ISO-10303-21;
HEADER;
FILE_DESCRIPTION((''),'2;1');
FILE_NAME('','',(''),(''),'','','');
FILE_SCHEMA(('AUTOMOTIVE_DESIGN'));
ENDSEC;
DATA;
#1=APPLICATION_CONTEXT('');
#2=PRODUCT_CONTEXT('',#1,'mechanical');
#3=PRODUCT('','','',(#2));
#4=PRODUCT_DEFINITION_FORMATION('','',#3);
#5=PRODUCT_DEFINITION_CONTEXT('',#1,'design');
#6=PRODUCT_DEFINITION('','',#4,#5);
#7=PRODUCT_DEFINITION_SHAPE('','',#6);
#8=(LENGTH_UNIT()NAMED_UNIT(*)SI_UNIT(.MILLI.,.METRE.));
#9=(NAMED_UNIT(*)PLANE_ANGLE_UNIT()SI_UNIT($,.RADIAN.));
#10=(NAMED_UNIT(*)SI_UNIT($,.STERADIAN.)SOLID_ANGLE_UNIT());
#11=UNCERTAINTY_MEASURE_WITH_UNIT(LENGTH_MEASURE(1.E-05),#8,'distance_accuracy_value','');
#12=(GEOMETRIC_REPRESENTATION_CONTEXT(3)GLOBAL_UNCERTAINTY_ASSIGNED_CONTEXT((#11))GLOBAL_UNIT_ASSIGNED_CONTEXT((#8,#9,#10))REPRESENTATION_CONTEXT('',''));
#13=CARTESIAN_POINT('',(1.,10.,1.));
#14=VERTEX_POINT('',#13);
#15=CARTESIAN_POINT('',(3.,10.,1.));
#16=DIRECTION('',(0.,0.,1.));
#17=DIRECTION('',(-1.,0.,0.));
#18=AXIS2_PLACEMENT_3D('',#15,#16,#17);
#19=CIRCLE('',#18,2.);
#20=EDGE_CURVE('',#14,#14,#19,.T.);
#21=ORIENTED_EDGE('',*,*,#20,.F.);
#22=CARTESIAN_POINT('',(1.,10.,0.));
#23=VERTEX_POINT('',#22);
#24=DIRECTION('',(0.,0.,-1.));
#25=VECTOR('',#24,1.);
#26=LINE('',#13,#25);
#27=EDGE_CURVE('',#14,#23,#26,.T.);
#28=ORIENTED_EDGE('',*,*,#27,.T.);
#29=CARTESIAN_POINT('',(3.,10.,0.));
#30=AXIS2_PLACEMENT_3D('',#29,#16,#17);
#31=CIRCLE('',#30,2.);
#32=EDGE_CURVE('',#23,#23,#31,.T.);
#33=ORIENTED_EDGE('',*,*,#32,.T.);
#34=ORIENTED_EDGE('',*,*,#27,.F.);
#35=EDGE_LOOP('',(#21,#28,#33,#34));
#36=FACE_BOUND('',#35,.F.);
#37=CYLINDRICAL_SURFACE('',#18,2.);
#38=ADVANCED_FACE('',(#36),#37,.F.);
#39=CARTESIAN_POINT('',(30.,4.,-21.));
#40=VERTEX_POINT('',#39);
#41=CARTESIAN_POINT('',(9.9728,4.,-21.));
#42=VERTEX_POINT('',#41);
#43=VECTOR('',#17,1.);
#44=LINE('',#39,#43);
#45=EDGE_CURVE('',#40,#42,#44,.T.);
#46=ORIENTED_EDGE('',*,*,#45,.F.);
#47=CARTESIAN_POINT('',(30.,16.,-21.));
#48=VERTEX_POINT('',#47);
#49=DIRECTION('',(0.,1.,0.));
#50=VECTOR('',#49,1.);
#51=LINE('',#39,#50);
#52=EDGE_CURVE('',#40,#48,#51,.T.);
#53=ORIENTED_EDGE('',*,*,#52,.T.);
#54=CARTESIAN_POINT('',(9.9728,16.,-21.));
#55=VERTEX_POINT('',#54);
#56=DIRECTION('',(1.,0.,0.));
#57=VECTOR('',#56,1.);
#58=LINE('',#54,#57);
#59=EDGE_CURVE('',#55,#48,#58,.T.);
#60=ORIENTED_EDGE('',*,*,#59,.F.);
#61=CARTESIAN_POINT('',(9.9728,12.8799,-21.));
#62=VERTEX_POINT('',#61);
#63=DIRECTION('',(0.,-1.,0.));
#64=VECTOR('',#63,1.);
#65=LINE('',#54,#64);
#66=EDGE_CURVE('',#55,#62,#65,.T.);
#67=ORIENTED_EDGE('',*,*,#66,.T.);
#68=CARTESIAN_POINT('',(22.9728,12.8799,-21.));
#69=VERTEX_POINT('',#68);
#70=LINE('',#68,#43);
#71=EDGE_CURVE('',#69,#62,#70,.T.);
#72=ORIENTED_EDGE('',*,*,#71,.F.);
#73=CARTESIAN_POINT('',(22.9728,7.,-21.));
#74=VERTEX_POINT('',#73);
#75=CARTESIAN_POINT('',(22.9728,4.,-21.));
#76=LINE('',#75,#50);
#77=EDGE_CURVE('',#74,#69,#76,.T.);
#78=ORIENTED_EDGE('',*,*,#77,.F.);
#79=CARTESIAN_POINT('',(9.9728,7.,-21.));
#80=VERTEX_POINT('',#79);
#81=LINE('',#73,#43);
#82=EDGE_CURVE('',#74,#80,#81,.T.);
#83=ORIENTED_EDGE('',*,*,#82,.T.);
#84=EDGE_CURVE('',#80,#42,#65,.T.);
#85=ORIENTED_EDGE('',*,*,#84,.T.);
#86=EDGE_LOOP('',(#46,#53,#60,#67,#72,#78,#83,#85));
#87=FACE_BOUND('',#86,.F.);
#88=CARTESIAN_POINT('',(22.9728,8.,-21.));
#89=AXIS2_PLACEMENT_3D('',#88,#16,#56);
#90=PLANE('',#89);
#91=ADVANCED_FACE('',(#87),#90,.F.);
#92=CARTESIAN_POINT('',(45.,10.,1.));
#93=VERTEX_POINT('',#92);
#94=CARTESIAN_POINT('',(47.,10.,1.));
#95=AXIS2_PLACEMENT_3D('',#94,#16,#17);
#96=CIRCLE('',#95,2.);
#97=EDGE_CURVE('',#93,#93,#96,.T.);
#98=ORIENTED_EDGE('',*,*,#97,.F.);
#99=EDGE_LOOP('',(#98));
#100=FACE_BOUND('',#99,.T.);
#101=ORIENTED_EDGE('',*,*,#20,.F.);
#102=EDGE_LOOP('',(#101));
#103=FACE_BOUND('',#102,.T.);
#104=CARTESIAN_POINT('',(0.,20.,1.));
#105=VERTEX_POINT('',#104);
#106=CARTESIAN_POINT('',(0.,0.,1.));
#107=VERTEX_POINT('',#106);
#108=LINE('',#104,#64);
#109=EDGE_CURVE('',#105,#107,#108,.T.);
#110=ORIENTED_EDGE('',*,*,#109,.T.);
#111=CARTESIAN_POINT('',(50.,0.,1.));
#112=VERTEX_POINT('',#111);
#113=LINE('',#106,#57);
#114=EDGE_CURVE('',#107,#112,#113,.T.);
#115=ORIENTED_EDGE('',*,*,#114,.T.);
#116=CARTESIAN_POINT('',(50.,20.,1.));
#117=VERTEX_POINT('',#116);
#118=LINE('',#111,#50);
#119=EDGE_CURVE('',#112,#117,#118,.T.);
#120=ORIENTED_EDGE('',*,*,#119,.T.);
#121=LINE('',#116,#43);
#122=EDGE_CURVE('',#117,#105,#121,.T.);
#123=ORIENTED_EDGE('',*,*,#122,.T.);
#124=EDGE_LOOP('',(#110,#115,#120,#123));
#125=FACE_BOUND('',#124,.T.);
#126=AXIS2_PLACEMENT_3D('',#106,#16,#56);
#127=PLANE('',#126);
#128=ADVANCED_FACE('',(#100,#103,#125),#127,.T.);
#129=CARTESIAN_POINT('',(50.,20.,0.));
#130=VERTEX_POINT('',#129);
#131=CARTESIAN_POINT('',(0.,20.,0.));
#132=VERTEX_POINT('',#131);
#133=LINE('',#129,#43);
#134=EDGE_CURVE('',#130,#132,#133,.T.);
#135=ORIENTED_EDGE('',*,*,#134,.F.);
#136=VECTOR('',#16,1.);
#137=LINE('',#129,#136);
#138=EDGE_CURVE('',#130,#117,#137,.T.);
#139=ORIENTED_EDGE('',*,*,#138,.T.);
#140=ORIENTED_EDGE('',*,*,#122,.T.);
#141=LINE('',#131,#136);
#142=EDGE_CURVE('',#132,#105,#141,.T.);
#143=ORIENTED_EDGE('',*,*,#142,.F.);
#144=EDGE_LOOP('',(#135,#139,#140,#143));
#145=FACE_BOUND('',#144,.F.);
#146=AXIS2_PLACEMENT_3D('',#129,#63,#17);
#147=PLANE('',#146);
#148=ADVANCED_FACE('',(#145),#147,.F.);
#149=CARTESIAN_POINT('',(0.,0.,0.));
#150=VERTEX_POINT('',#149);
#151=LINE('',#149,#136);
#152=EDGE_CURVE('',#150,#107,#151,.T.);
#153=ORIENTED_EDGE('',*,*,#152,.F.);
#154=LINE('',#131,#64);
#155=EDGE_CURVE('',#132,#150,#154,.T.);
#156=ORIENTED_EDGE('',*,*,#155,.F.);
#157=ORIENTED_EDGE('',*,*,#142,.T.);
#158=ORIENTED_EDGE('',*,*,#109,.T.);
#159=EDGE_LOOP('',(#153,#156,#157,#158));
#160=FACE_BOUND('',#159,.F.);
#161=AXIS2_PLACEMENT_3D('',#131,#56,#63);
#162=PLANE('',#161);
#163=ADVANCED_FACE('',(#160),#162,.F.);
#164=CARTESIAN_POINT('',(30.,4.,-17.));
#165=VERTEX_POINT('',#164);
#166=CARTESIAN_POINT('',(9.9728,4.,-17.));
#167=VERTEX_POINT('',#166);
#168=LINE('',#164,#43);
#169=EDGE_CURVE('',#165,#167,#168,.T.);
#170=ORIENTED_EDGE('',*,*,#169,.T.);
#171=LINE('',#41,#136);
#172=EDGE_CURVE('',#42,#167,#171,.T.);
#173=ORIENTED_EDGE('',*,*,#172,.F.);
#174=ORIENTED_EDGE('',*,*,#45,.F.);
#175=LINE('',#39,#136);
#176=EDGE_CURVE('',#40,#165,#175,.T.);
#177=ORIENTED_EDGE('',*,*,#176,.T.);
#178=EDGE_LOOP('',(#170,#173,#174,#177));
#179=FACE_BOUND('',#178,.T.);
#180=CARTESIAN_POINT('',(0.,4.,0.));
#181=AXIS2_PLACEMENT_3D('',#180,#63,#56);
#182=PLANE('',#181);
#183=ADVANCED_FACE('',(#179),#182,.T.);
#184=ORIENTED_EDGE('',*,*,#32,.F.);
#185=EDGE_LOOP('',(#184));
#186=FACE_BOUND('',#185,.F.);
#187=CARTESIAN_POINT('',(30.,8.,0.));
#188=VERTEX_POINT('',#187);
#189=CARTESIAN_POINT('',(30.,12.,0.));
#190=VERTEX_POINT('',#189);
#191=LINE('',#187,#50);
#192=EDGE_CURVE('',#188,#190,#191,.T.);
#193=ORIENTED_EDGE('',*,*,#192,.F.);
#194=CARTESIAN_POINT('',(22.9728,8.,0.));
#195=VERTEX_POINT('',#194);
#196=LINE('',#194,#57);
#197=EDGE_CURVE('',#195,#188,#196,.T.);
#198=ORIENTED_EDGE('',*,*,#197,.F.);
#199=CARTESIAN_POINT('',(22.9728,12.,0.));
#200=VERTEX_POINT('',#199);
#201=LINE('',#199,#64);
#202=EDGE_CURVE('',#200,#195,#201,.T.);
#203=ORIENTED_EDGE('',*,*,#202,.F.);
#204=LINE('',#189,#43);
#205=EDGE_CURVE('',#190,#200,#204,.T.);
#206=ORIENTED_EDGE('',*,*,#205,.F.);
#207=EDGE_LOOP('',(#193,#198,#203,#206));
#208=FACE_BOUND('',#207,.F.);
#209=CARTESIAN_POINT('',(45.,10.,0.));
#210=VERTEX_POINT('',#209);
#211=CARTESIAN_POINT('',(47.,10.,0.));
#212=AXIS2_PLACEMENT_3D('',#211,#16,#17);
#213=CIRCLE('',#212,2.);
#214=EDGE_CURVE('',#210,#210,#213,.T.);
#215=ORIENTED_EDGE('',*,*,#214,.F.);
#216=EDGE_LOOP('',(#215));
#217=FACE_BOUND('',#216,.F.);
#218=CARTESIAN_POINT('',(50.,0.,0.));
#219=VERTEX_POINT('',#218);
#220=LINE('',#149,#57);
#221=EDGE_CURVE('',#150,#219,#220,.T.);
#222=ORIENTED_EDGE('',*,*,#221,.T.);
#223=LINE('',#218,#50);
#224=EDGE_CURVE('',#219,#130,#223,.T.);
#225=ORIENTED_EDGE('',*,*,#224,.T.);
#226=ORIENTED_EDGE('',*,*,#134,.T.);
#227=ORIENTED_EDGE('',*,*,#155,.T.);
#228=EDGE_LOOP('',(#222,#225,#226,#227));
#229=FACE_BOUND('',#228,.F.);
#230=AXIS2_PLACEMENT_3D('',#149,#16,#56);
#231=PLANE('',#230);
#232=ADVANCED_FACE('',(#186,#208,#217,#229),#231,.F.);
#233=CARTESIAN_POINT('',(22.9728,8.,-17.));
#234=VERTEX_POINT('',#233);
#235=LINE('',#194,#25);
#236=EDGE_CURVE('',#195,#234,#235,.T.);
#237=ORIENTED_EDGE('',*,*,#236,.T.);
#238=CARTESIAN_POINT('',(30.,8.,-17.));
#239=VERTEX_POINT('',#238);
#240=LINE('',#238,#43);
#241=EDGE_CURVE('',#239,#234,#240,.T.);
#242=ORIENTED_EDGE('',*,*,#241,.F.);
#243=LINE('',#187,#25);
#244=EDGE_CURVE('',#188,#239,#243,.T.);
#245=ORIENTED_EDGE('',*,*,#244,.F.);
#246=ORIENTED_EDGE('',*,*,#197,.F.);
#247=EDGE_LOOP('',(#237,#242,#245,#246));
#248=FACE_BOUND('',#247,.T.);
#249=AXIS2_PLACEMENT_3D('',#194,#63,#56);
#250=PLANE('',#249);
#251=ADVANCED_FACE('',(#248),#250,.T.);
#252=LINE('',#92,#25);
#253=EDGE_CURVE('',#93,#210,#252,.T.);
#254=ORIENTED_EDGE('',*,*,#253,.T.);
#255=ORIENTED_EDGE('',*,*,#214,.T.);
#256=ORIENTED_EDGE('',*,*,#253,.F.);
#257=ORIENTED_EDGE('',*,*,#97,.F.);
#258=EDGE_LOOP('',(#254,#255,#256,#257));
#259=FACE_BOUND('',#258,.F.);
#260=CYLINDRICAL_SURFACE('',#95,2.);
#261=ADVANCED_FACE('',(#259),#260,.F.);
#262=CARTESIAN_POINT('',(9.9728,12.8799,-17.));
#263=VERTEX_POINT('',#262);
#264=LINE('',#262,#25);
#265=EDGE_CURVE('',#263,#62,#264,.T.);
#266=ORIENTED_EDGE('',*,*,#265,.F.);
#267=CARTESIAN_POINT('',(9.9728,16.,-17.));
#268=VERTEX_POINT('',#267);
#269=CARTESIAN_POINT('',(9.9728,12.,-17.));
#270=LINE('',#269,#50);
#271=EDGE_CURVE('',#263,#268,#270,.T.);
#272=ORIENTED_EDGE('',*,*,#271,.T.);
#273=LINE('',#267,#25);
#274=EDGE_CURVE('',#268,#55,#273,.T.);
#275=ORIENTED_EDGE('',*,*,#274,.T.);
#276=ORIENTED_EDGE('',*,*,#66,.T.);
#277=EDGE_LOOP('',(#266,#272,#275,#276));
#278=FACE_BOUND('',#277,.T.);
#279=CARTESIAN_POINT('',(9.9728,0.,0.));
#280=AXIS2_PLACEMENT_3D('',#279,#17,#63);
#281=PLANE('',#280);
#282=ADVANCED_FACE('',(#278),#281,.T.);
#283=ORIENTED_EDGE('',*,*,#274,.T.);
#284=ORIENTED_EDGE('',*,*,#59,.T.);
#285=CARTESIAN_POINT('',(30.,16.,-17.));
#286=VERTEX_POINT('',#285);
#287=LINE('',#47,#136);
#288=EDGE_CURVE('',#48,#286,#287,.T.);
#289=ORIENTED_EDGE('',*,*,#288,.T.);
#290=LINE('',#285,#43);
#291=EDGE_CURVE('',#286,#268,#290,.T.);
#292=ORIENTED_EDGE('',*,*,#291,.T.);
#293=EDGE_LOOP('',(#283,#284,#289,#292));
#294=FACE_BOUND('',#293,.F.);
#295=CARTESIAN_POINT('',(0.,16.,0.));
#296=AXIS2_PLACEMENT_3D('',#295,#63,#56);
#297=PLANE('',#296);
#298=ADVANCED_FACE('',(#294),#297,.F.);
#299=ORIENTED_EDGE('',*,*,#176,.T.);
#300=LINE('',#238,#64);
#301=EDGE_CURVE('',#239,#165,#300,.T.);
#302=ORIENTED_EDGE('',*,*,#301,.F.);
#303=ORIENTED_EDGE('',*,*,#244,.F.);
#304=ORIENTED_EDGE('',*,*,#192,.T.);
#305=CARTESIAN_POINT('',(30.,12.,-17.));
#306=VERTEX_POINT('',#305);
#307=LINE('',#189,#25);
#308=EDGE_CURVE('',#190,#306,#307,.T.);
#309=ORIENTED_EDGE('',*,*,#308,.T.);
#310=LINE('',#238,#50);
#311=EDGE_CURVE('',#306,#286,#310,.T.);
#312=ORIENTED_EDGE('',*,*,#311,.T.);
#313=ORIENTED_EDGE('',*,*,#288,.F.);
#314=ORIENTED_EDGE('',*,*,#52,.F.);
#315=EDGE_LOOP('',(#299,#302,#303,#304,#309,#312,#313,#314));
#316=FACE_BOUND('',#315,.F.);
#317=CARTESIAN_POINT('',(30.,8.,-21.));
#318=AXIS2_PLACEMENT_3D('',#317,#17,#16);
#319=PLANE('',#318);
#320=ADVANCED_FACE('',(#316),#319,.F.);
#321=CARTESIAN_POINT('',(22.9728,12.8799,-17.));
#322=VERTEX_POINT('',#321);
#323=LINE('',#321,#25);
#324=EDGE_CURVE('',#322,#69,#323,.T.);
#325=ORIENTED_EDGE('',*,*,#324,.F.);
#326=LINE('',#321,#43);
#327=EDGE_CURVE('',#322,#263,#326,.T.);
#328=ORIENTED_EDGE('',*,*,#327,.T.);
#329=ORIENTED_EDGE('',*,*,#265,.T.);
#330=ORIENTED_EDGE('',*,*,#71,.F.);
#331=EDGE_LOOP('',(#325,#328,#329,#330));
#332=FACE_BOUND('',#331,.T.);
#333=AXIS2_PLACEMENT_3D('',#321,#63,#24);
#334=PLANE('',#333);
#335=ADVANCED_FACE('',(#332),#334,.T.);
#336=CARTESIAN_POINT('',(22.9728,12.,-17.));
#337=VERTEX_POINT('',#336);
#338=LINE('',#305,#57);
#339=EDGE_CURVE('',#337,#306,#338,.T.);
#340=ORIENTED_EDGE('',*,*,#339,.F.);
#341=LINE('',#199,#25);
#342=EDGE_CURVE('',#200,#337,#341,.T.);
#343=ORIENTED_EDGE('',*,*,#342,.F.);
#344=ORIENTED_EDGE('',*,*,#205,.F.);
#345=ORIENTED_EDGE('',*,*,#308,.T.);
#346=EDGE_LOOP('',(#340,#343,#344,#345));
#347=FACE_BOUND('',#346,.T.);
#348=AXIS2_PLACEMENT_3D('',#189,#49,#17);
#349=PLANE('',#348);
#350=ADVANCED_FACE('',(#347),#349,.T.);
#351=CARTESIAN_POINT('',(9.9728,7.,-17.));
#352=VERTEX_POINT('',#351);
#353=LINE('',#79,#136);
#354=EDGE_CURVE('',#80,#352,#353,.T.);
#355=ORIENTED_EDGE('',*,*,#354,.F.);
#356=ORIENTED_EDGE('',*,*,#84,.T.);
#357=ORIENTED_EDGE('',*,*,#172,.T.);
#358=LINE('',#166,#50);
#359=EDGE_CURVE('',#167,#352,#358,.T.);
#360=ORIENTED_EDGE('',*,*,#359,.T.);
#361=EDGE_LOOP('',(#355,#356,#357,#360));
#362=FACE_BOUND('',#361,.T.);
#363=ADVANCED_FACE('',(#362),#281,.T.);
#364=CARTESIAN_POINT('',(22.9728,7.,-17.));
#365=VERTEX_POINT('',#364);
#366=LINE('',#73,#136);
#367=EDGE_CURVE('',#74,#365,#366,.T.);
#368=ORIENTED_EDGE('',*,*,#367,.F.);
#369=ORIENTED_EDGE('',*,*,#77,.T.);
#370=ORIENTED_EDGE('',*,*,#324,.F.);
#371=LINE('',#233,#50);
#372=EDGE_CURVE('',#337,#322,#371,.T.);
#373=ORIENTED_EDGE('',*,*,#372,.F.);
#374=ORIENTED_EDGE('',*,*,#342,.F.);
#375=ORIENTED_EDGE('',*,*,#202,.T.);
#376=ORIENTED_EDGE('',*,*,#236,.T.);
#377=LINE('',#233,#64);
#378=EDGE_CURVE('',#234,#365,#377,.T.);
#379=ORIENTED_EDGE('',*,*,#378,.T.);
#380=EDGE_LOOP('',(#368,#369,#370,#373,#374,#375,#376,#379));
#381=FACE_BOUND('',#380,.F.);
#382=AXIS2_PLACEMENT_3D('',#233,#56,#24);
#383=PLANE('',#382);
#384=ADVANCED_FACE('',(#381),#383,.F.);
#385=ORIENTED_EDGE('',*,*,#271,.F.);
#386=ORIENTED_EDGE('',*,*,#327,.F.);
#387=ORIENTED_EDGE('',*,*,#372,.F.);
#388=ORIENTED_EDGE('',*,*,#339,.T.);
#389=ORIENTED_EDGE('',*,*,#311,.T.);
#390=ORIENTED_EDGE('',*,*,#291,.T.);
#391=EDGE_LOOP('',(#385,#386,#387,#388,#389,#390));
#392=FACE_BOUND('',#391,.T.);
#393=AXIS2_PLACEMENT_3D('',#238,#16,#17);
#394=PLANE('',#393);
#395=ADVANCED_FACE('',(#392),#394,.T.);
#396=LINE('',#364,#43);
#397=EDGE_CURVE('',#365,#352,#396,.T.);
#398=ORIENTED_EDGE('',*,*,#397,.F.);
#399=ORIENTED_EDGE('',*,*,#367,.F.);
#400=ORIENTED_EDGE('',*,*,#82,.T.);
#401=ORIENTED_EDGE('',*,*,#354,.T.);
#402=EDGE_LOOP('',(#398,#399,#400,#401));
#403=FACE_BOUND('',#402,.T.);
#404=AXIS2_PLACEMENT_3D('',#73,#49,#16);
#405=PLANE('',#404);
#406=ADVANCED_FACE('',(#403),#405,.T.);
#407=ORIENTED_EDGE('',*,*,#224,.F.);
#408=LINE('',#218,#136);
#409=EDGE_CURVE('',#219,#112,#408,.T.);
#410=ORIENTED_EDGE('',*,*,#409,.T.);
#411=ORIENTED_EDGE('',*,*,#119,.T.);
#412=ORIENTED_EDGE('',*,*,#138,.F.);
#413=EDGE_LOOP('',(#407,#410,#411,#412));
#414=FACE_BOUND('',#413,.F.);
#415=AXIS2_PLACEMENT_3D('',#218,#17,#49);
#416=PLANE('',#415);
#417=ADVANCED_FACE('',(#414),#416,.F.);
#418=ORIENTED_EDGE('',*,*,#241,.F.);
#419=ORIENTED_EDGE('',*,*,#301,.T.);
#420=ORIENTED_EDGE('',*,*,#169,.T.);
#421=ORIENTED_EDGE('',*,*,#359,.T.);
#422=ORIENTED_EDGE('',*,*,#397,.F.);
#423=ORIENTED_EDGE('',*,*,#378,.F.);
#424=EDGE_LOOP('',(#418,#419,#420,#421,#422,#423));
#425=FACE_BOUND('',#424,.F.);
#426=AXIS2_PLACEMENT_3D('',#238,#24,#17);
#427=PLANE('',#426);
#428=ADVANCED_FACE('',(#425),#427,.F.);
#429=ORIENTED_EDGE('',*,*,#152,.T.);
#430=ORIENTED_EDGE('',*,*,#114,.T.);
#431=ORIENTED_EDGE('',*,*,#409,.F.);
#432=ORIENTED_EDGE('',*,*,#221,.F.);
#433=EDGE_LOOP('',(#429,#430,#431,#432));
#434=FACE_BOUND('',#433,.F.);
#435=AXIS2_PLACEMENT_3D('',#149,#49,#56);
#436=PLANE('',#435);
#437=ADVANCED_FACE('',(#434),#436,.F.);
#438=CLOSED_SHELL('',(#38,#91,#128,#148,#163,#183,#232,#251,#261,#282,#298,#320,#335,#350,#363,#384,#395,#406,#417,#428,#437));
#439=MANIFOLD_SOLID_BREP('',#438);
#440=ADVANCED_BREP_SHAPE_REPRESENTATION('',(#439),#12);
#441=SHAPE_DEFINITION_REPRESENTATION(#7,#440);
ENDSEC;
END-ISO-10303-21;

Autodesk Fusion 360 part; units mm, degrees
sketch "Sketch1" plane through (0, 0, 0) normal (0, 0, 1) x (1, 0, 0)
  line L0 (0, 0) -> (50, 0)
  line L1 (50, 0) -> (50, 20)
  line L2 (50, 20) -> (0, 20)
  line L3 (0, 20) -> (0, 0)
  dimension "d1" = 50
  dimension "d2" = 20
extrude "Extrude1" add sketch "Sketch1" along normal blind 1
sketch "Sketch2" plane through (0, 0, 1) normal (0, 0, 1) x (-1, 0, 0)
  line L0 (0, -20) -> (0, 0)
  line L1 (0, 0) -> (-50, 0)
  line L2 (-50, 0) -> (-50, -20)
  line L3 (-50, -20) -> (0, -20)
  circle A0 centre (-3, -10) radius 2
  circle A1 centre (-47, -10) radius 2
  dimension "d8" = 4
  dimension "d19" = 4
extrude "Extrude2" cut sketch "Sketch2" against normal blind 7 contours A0 | A1
sketch "Sketch3" plane through (0, 0, 0) normal (0, 0, -1) x (1, 0, 0)
  circle A0 centre (3, -10) radius 2
  line L0 (0, 0) -> (0, -20)
  line L1 (0, -20) -> (50, -20)
  line L2 (50, -20) -> (50, 0)
  line L3 (50, 0) -> (0, 0)
  line L4 (22.9728, -8) -> (30, -8)
  line L5 (30, -8) -> (30, -12)
  line L6 (30, -12) -> (22.9728, -12)
  line L7 (22.9728, -12) -> (22.9728, -8)
  circle A1 centre (46, -10) radius 2
  circle A2 centre (47, -10) radius 2
extrude "Extrude3" add sketch "Sketch3" along normal blind 21 contours L4 L5 L6 L7
sketch "Sketch6" plane through (0, 8, 0) normal (0, -1, 0) x (1, 0, 0)
  line L0 (30, 0) -> (22.9728, 0)
  line L1 (22.9728, 0) -> (22.9728, -21)
  line L2 (22.9728, -21) -> (30, -21)
  line L3 (30, -21) -> (30, 0)
  line L4 (22.9728, -21) -> (30, -21)
  line L5 (30, -21) -> (30, -17)
  line L6 (30, -17) -> (22.9728, -17)
  line L7 (22.9728, -17) -> (22.9728, -21)
extrude "Extrude4" add sketch "Sketch6" along normal blind 4 contours L1 L2 L3 L4 L5 L6 L7
extrude "Extrude5" add sketch "Sketch6" against normal blind 8 contours L1 L2 L3 L4 L5 L6 L7
sketch "Sketch7" plane through (22.9728, 0, 0) normal (-1, 0, 0) x (0, -1, 0)
  line L0 (-16, -21) -> (-4, -21)
  line L1 (-4, -21) -> (-4, -17)
  line L2 (-4, -17) -> (-8, -17)
  line L3 (-8, -17) -> (-8, 0)
  line L4 (-8, 0) -> (-12, 0)
  line L5 (-12, 0) -> (-12, -17)
  line L6 (-12, -17) -> (-16, -17)
  line L7 (-16, -17) -> (-16, -21)
  line L8 (-16, -17) -> (-12.8799, -17)
  line L9 (-12.8799, -17) -> (-12.8799, -21)
  line L10 (-12.8799, -21) -> (-16, -21)
  line L11 (-16, -21) -> (-16, -17)
  line L12 (-4, -21) -> (-7, -21)
  line L13 (-7, -21) -> (-7, -17)
  line L14 (-7, -17) -> (-4, -17)
  line L15 (-4, -17) -> (-4, -21)
extrude "Extrude6" add sketch "Sketch7" along normal blind 13 contours L0 L6 L7 L8 L9 L10 L11 | L0 L1 L2 L12 L13 L14 L15
